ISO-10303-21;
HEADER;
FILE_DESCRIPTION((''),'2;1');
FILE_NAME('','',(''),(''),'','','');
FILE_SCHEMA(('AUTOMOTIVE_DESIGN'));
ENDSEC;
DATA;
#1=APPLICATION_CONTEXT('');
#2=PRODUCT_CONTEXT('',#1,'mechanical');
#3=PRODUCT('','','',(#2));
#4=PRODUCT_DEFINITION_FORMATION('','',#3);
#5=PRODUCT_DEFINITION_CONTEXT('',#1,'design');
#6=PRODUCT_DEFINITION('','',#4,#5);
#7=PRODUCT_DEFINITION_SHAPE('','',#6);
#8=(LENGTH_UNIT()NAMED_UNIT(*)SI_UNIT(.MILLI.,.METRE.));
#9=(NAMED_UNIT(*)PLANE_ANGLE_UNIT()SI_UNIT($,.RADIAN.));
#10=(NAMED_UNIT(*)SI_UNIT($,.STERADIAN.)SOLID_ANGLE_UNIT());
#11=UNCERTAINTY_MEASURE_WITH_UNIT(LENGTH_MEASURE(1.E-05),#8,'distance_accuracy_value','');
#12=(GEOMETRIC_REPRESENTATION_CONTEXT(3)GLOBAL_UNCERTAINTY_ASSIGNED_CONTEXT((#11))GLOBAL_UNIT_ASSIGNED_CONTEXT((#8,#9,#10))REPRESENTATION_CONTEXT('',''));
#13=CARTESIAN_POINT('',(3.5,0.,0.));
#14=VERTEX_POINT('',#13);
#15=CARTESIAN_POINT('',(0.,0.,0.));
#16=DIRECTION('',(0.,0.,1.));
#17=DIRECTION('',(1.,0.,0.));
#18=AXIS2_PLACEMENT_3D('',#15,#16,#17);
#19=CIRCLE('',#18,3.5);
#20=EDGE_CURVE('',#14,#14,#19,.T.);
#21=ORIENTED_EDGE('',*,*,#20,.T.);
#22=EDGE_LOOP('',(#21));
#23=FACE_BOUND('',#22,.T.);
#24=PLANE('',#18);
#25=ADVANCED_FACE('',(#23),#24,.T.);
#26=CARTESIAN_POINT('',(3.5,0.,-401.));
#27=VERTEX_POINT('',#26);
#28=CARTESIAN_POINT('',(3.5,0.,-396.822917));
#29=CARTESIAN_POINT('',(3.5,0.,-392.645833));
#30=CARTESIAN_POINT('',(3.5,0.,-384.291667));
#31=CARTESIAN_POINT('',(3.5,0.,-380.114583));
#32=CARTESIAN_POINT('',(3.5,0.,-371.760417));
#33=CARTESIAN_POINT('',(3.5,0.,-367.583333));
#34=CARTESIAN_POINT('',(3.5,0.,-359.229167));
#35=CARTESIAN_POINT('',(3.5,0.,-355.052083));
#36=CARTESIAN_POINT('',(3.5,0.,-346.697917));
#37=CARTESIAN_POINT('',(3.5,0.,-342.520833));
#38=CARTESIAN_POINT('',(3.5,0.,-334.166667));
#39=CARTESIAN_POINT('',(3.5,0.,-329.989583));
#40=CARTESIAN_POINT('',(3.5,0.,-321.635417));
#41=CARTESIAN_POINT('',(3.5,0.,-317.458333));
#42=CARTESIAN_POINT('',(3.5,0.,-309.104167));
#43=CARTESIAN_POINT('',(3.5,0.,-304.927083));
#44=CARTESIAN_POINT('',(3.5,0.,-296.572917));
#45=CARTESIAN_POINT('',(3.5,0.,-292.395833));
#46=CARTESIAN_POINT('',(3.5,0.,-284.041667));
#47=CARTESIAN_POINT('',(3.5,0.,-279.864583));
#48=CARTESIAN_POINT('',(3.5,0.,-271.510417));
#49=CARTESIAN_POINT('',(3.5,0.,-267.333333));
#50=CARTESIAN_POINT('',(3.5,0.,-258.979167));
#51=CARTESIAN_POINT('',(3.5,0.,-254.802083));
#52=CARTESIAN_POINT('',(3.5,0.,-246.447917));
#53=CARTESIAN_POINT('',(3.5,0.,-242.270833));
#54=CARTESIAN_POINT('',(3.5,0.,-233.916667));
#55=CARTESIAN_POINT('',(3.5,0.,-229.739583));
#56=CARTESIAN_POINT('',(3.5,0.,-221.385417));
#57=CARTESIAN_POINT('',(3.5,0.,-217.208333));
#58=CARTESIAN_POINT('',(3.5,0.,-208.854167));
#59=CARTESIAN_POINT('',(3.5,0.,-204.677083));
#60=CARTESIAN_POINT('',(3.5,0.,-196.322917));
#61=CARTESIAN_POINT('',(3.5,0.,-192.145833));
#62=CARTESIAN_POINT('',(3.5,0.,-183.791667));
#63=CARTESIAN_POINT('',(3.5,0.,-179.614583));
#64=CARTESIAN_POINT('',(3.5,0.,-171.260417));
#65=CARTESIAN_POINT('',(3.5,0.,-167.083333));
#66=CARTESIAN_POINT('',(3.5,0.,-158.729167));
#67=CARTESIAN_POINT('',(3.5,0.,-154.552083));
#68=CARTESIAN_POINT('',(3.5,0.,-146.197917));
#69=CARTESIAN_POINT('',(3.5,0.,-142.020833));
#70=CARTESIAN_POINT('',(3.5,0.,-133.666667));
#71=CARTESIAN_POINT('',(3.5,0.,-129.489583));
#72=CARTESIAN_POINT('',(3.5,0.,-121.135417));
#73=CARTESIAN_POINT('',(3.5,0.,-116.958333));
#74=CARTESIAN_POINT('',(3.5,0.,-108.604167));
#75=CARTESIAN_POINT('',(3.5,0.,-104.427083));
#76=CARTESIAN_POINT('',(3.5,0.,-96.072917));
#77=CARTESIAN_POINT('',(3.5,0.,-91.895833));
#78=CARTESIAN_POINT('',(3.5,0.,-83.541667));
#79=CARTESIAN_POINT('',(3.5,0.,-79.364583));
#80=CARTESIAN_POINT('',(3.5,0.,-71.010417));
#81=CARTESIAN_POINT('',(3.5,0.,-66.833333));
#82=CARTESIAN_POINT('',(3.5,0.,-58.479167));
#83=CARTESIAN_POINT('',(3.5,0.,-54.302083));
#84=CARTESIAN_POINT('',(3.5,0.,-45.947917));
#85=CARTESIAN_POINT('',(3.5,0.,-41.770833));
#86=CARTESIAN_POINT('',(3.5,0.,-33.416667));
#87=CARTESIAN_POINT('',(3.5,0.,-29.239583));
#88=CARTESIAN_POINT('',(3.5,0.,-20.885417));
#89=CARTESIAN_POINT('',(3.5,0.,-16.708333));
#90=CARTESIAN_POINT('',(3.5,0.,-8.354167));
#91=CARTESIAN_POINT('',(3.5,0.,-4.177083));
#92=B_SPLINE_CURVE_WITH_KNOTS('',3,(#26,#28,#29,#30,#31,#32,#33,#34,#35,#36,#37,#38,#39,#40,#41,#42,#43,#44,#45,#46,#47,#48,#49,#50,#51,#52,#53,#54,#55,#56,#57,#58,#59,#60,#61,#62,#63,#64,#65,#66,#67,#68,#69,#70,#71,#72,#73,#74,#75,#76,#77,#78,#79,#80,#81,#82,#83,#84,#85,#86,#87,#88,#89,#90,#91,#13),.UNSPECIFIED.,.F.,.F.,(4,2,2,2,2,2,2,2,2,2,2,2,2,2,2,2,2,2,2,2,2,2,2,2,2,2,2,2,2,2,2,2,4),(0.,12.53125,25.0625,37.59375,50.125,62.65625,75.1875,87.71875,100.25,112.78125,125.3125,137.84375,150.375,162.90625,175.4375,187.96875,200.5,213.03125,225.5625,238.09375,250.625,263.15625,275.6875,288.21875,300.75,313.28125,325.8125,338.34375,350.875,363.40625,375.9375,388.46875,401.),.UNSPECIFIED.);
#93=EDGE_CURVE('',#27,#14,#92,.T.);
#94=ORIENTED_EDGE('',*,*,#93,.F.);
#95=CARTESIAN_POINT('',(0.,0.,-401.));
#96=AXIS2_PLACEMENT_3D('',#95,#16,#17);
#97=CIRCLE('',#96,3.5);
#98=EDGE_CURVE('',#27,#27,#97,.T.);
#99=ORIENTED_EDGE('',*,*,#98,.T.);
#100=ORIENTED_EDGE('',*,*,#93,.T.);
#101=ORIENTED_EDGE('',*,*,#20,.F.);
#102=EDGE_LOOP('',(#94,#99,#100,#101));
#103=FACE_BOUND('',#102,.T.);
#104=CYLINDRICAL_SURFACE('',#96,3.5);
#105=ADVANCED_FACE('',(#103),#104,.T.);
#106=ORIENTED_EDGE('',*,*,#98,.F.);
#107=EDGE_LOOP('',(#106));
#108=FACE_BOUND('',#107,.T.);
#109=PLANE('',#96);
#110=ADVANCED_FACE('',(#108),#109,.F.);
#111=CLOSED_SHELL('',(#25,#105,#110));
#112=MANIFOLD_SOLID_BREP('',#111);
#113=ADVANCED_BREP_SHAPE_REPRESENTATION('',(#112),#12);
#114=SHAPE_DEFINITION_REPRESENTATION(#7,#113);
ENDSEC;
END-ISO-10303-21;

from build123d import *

# Parameters (mm, degrees)
SKETCH1_R           = 3.5
BOSS_EXTRUDE1_DEPTH = 401


with BuildPart() as part:
    # Sketch1 → Boss-Extrude1 (new body)
    with BuildSketch(Plane.XY):
        Circle(SKETCH1_R)
    extrude(amount=-BOSS_EXTRUDE1_DEPTH)


solid = part.part
